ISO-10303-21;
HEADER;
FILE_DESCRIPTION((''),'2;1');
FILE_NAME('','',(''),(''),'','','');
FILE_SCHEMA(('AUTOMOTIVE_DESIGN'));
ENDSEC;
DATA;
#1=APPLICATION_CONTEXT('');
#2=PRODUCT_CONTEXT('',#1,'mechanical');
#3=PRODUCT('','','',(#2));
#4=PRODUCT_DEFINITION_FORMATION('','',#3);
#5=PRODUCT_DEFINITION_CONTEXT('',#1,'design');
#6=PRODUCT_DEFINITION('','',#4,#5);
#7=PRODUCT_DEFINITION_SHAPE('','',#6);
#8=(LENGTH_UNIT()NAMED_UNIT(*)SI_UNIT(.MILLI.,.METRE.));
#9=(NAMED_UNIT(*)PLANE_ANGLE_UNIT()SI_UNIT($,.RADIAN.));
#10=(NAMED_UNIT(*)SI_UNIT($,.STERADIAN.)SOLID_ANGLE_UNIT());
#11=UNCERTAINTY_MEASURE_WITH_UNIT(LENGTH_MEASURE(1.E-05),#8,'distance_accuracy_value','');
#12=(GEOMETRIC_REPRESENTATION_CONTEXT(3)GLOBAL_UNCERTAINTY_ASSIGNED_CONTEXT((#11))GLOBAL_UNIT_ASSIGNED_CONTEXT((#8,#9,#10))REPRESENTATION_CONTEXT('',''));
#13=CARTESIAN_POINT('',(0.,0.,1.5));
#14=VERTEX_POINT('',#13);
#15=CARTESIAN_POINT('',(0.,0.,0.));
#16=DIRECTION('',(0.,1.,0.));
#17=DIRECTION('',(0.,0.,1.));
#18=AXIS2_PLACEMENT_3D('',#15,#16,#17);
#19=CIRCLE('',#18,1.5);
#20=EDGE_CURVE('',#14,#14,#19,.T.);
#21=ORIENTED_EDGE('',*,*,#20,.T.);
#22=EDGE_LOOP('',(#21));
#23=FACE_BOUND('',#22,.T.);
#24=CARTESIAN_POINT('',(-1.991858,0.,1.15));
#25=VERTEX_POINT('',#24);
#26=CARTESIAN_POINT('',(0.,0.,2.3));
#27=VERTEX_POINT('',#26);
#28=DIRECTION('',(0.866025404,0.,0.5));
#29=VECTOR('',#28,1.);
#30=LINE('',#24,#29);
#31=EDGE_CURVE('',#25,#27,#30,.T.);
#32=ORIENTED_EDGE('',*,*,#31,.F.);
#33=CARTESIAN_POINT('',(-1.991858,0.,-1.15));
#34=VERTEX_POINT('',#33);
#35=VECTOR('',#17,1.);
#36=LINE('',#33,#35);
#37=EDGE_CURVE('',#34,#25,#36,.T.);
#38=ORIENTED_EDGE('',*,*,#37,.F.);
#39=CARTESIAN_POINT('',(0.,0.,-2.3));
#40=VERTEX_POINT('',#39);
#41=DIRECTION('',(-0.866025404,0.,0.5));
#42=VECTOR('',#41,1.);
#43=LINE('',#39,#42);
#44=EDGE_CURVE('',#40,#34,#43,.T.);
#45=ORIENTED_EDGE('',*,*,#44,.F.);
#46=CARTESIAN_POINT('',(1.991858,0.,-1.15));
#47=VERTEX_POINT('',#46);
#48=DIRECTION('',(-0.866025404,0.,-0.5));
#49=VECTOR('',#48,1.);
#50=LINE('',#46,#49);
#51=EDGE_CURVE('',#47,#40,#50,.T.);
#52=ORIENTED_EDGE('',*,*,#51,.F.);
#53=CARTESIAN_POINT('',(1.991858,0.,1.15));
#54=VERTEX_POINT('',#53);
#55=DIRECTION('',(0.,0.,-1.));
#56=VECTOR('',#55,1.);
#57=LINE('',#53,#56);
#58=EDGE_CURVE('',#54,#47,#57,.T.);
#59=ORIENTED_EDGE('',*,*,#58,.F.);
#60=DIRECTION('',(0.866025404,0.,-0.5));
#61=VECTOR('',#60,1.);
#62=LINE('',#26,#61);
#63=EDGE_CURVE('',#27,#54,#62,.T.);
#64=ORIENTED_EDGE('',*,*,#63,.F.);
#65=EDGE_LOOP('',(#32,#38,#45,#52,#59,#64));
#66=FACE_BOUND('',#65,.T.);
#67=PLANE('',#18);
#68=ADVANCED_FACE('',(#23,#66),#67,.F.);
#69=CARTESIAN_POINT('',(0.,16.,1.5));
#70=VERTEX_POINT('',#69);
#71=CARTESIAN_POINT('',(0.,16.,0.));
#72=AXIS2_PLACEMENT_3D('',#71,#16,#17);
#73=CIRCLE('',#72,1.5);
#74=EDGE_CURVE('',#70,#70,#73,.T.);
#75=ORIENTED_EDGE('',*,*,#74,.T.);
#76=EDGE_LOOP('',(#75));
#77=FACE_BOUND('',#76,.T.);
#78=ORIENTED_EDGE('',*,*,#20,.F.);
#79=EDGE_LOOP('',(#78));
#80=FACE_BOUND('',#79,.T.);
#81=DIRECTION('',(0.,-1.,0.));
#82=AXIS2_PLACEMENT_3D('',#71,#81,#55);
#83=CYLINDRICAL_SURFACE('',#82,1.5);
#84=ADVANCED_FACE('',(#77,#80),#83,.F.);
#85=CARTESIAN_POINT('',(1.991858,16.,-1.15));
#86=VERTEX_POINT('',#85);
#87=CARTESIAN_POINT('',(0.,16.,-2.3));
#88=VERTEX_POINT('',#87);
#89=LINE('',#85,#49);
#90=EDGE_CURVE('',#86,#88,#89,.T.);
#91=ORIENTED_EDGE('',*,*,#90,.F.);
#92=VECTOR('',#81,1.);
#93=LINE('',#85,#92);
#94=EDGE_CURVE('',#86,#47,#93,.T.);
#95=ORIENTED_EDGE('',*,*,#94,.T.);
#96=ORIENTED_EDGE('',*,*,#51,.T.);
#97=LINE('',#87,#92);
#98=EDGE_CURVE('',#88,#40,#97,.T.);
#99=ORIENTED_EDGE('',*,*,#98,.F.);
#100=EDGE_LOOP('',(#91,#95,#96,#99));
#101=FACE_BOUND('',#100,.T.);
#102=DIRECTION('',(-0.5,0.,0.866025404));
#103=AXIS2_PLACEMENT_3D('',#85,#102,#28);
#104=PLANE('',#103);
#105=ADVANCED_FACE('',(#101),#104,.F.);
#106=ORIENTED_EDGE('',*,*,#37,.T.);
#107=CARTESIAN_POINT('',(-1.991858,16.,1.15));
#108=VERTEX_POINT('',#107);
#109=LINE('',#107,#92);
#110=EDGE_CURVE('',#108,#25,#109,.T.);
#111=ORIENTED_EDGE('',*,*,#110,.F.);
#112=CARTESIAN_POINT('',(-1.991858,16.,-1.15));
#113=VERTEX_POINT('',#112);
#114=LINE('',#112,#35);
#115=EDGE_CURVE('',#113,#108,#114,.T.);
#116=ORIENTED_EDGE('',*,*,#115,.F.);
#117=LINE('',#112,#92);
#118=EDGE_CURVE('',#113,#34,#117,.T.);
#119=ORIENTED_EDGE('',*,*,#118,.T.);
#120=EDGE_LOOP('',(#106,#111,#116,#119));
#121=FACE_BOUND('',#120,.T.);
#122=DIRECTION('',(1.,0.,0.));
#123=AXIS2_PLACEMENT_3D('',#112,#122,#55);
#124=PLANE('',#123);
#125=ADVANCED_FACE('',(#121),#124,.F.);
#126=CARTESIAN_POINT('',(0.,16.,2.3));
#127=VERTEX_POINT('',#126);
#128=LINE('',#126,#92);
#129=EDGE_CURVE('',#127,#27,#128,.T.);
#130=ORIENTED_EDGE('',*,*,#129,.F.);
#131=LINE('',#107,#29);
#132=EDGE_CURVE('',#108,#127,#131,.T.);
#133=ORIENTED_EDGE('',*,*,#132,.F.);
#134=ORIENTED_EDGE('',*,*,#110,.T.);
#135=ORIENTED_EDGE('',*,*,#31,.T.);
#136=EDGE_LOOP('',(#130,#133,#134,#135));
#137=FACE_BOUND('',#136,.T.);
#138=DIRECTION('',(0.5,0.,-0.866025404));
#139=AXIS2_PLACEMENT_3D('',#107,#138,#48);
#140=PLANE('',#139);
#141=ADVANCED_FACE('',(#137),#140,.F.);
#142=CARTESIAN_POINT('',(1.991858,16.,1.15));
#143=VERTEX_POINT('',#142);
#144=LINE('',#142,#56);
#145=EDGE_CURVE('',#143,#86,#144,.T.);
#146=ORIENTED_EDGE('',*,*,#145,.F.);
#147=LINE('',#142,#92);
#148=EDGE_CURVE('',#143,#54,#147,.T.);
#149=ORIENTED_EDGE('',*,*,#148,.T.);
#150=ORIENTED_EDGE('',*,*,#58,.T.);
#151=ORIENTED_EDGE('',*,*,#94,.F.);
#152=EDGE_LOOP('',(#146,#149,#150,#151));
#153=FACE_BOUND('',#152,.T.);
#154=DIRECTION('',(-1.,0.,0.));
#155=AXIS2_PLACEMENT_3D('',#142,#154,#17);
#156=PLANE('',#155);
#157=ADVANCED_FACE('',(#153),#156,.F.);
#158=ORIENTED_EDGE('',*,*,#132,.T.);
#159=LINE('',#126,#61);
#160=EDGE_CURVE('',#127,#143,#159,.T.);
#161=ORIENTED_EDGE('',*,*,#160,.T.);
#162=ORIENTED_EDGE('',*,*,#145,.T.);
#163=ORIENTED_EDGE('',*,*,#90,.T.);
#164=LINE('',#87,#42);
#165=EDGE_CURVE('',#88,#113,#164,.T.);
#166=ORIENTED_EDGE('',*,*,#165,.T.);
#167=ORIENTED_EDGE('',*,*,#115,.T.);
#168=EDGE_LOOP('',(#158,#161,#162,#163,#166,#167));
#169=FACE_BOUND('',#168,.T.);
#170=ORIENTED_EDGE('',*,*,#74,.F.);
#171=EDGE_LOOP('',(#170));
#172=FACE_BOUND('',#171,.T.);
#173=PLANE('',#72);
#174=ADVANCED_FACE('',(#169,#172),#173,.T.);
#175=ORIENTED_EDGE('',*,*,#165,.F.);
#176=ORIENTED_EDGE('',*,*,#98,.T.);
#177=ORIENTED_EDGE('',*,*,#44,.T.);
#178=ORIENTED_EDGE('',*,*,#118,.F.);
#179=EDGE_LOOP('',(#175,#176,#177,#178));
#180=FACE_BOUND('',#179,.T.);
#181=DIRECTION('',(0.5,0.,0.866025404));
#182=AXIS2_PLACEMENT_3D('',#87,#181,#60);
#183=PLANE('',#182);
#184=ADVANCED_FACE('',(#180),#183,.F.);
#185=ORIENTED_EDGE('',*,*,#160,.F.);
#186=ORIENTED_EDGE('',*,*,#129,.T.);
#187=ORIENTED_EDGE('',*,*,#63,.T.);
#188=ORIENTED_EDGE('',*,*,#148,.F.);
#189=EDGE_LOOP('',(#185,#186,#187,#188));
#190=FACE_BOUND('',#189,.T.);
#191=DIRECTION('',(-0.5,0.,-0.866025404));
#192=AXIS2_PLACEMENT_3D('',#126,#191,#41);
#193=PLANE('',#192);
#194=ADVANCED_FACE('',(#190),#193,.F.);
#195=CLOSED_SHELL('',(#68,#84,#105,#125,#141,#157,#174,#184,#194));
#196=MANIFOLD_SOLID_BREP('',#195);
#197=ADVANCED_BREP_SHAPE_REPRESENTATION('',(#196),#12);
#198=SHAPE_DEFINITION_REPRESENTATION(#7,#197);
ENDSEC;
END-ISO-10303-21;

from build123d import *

# Parameters (mm, degrees)
SKETCH_1_R      = 1.5
EXTRUDE_1_DEPTH = 16


with BuildPart() as part:
    # 草图1 → 凸台-拉伸1 (new body)
    with BuildSketch(Plane(origin=(0, 0, 0), x_dir=(1, 0, 0), z_dir=(0, 1, 0))):
        Polygon((1.991858429, 1.15), (0, 2.3), (-1.991858429, 1.15), (-1.991858429, -1.15), (0, -2.3), (1.991858429, -1.15), align=None)
        with Locations(Location((0, 0, 0), (0, 0, 270))):
            Circle(SKETCH_1_R, mode=Mode.SUBTRACT)
    extrude(amount=EXTRUDE_1_DEPTH)


solid = part.part
